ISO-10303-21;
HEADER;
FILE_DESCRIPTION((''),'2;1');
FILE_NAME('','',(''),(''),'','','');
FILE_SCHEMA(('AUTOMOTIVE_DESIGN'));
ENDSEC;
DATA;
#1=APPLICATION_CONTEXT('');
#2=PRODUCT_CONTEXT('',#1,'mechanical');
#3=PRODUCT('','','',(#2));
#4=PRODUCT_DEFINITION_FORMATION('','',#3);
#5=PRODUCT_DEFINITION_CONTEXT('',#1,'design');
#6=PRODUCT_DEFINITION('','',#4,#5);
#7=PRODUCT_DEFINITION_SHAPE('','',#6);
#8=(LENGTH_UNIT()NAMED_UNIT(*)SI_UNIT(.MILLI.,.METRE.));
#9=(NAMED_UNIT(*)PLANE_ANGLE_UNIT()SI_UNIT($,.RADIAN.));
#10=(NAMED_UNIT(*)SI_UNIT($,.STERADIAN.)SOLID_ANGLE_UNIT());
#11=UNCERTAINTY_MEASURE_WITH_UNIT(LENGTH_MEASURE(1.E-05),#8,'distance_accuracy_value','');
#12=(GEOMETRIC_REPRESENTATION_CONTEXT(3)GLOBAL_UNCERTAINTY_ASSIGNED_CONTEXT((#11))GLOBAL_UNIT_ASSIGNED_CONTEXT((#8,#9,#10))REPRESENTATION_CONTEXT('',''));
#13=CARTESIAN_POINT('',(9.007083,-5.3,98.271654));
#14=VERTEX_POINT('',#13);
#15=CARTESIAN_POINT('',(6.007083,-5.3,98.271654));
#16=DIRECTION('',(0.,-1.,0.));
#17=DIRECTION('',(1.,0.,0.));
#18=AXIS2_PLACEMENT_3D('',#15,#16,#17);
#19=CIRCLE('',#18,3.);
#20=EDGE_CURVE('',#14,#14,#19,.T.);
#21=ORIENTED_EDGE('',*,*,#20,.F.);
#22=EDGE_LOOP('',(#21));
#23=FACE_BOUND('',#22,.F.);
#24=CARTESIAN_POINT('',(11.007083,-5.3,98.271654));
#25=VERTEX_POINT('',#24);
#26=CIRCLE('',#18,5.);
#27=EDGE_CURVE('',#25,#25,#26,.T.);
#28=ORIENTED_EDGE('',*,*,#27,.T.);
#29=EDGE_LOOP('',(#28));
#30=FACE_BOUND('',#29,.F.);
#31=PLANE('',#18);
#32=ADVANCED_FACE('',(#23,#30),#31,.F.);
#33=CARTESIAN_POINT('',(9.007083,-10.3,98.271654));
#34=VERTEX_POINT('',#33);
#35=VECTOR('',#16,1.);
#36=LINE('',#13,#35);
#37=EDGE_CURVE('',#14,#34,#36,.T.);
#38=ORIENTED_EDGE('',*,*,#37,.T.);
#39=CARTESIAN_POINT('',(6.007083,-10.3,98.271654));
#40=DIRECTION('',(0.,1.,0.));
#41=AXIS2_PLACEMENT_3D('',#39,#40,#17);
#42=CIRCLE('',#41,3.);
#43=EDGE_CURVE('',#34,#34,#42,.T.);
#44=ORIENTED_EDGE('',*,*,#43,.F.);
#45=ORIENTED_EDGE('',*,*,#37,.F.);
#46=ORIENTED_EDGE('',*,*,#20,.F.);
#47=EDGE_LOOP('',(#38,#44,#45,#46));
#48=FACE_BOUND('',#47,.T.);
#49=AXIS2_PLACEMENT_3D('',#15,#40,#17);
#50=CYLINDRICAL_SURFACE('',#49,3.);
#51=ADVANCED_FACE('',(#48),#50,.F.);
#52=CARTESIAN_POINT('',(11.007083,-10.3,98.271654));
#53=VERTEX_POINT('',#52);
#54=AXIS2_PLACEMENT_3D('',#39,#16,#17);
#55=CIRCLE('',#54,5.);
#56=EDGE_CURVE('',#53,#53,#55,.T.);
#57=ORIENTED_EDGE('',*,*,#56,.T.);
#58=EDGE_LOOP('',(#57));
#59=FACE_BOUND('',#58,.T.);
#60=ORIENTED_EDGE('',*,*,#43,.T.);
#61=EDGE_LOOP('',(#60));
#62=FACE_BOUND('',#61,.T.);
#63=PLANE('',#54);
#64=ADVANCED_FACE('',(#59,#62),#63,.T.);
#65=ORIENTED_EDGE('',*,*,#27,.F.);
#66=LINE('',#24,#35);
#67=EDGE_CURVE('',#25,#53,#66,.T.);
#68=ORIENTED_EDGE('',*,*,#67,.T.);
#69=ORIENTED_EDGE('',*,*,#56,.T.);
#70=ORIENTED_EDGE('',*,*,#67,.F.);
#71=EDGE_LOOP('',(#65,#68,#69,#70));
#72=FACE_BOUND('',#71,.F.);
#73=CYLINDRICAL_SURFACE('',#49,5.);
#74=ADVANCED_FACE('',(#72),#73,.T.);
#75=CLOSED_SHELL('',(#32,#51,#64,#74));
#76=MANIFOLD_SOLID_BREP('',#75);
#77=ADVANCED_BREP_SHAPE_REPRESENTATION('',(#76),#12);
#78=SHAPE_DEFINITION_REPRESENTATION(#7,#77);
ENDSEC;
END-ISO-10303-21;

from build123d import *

# Parameters (mm, degrees)
CYLINDER003_R     = 3
CYLINDER003_DEPTH = 9
CYLINDER004_R     = 5
CYLINDER004_DEPTH = 5


with BuildPart() as cilindro:
    # Cylinder003 → Cylinder003 (new body)
    with BuildSketch(Plane(origin=(6.007083, -5.3, 98.271654), x_dir=(1, 0, 0), z_dir=(0, -1, 0))):
        Circle(CYLINDER003_R)
    extrude(amount=CYLINDER003_DEPTH)


with BuildPart() as tapa_semaforo:
    # Cylinder004 → Cylinder004 (new body)
    with BuildSketch(Plane(origin=(6.007083, -5.3, 98.271654), x_dir=(1, 0, 0), z_dir=(0, -1, 0))):
        Circle(CYLINDER004_R)
    extrude(amount=CYLINDER004_DEPTH)

    # Cut016: cut Cilindro
    add(cilindro.part, mode=Mode.SUBTRACT)


solid = tapa_semaforo.part
